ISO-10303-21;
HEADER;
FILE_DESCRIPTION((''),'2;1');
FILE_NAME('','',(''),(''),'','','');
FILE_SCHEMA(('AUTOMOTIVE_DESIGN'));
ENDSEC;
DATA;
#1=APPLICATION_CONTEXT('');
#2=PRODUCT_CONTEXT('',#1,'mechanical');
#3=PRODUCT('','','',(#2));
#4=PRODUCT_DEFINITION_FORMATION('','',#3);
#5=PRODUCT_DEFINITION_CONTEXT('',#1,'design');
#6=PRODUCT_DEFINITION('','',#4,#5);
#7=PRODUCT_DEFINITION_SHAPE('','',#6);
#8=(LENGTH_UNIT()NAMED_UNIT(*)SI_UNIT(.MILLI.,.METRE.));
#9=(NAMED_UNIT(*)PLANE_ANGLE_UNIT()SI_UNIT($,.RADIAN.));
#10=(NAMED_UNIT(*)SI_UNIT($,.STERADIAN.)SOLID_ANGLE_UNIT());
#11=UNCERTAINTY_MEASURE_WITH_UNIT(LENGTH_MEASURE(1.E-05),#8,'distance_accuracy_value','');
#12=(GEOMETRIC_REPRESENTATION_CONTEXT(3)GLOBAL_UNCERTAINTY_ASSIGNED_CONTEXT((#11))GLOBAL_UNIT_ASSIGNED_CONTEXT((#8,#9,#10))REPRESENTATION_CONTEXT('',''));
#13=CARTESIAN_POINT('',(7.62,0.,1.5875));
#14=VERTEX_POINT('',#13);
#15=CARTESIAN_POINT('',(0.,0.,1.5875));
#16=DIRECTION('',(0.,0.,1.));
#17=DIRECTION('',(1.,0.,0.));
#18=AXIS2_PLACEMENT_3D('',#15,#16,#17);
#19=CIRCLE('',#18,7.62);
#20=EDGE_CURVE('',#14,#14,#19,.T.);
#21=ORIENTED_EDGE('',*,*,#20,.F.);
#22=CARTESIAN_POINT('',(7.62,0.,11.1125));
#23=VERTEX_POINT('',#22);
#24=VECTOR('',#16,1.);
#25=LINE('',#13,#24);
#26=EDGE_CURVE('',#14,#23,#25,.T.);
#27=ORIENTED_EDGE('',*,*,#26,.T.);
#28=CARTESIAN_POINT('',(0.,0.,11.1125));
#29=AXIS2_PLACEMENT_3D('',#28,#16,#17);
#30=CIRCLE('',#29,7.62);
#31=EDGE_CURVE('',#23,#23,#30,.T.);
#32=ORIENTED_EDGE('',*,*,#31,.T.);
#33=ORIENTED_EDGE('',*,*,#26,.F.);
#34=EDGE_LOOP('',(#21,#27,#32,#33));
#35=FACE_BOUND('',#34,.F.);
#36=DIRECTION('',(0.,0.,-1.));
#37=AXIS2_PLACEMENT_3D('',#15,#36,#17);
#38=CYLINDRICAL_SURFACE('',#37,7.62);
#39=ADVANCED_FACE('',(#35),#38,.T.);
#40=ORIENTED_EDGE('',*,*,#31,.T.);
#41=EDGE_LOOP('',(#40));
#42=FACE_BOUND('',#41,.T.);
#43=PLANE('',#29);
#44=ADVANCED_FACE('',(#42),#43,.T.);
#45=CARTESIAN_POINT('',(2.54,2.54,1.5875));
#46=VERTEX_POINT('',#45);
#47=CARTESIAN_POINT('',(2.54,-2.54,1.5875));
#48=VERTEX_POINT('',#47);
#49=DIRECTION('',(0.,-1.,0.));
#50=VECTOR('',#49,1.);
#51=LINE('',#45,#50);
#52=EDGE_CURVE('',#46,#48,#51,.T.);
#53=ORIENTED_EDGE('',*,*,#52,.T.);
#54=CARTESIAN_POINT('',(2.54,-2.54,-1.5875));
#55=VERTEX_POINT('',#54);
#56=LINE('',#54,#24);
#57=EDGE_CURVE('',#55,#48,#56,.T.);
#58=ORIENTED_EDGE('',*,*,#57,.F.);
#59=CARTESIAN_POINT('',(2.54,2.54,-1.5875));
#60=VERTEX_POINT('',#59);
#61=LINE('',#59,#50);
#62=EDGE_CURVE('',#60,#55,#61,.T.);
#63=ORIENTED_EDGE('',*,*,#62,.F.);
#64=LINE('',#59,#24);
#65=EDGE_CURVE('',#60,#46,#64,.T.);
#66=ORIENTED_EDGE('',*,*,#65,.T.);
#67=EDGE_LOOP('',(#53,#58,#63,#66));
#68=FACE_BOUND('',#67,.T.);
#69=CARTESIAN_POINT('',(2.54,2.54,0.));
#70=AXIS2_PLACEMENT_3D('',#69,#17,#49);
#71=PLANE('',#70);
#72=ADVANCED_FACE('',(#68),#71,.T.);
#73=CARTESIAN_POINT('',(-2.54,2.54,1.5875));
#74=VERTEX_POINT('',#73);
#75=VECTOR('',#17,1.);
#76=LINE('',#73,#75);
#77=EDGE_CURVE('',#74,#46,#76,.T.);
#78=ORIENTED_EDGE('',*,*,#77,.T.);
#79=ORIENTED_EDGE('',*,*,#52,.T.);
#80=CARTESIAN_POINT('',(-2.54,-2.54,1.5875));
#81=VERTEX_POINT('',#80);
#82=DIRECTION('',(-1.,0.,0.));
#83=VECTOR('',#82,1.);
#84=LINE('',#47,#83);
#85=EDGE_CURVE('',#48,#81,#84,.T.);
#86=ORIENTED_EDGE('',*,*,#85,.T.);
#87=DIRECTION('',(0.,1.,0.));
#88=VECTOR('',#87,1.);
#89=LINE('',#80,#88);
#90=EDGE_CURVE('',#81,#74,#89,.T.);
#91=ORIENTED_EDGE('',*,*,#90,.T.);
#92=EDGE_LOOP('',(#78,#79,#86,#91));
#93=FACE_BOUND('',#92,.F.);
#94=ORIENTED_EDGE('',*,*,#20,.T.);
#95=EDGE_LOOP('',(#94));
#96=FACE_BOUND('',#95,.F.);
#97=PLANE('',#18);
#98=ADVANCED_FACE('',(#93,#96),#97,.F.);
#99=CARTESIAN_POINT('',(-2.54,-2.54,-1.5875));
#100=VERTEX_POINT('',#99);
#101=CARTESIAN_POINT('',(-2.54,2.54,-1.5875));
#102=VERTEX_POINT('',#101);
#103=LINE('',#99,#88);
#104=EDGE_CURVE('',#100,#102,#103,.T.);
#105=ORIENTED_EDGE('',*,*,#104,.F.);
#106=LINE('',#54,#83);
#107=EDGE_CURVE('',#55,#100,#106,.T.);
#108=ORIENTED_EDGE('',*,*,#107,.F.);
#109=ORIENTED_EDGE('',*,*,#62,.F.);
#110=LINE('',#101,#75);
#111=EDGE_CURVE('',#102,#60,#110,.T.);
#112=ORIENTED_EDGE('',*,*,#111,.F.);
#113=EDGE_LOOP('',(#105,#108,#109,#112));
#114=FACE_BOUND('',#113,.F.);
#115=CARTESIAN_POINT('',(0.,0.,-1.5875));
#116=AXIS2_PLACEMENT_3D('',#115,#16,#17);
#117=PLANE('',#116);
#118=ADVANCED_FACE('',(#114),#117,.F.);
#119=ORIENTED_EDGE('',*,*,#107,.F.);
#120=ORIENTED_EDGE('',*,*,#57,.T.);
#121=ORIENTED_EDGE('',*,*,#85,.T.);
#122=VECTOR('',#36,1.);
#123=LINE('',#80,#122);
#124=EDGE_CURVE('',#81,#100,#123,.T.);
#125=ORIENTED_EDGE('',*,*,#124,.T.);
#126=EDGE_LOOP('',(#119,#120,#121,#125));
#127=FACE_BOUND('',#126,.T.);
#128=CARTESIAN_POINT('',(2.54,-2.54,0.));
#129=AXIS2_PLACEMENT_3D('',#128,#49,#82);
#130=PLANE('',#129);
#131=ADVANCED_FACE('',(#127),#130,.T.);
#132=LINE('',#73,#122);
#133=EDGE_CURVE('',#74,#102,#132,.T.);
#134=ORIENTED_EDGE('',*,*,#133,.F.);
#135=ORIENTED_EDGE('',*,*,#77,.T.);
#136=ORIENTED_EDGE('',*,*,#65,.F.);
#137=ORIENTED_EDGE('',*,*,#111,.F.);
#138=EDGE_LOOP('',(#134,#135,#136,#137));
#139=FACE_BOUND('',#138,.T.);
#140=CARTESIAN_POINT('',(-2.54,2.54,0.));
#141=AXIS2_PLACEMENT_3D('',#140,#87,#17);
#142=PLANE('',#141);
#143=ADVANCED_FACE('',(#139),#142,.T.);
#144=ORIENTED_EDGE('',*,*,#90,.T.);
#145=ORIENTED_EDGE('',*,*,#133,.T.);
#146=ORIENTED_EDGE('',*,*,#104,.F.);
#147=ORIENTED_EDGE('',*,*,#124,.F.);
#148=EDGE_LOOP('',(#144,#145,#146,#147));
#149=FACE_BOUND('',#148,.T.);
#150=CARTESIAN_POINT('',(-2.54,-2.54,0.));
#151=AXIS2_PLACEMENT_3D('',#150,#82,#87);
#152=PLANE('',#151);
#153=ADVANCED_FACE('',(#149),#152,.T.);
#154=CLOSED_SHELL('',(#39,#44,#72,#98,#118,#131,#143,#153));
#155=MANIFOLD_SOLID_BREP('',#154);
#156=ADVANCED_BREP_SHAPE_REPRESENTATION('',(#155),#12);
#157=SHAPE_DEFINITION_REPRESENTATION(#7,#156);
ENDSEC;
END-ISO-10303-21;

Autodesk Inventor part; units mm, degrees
ref_plane "YZ Plane" through (0, 0, 0) normal (1, 0, 0) x (0, 1, 0)
ref_plane "XZ Plane" through (0, 0, 0) normal (0, 1, 0) x (-1, 0, 0)
ref_plane "XY Plane" through (0, 0, 0) normal (0, 0, 1) x (1, 0, 0)
sketch "Sketch1" plane through (0, 0, 0) normal (0, 0, 1) x (1, 0, 0)
  line L0 (2.54, -2.54) -> (-2.54, -2.54)
  line L1 (-2.54, -2.54) -> (-2.54, 2.54)
  line L2 (-2.54, 2.54) -> (2.54, 2.54)
  line L3 (2.54, 2.54) -> (2.54, -2.54)
  line L4 (2.54, -2.54) -> (-2.54, 2.54) construction
  line L5 (-2.54, -2.54) -> (2.54, 2.54) construction
  point P0 (0, 0)
  dimension "d0" = 5.08
  dimension "d1" = 5.08
extrude "Extrusion1" add sketch "Sketch1" along normal mid plane 3.175
sketch "Sketch2" plane through (0, 0, 1.5875) normal (0, 0, 1) x (1, 0, 0)
  circle A0 centre (0, 0) radius 7.62
  dimension "d4" = 15.24
extrude "Extrusion2" add sketch "Sketch2" along normal blind 9.525
properties part number "Shaft-EndCap"
